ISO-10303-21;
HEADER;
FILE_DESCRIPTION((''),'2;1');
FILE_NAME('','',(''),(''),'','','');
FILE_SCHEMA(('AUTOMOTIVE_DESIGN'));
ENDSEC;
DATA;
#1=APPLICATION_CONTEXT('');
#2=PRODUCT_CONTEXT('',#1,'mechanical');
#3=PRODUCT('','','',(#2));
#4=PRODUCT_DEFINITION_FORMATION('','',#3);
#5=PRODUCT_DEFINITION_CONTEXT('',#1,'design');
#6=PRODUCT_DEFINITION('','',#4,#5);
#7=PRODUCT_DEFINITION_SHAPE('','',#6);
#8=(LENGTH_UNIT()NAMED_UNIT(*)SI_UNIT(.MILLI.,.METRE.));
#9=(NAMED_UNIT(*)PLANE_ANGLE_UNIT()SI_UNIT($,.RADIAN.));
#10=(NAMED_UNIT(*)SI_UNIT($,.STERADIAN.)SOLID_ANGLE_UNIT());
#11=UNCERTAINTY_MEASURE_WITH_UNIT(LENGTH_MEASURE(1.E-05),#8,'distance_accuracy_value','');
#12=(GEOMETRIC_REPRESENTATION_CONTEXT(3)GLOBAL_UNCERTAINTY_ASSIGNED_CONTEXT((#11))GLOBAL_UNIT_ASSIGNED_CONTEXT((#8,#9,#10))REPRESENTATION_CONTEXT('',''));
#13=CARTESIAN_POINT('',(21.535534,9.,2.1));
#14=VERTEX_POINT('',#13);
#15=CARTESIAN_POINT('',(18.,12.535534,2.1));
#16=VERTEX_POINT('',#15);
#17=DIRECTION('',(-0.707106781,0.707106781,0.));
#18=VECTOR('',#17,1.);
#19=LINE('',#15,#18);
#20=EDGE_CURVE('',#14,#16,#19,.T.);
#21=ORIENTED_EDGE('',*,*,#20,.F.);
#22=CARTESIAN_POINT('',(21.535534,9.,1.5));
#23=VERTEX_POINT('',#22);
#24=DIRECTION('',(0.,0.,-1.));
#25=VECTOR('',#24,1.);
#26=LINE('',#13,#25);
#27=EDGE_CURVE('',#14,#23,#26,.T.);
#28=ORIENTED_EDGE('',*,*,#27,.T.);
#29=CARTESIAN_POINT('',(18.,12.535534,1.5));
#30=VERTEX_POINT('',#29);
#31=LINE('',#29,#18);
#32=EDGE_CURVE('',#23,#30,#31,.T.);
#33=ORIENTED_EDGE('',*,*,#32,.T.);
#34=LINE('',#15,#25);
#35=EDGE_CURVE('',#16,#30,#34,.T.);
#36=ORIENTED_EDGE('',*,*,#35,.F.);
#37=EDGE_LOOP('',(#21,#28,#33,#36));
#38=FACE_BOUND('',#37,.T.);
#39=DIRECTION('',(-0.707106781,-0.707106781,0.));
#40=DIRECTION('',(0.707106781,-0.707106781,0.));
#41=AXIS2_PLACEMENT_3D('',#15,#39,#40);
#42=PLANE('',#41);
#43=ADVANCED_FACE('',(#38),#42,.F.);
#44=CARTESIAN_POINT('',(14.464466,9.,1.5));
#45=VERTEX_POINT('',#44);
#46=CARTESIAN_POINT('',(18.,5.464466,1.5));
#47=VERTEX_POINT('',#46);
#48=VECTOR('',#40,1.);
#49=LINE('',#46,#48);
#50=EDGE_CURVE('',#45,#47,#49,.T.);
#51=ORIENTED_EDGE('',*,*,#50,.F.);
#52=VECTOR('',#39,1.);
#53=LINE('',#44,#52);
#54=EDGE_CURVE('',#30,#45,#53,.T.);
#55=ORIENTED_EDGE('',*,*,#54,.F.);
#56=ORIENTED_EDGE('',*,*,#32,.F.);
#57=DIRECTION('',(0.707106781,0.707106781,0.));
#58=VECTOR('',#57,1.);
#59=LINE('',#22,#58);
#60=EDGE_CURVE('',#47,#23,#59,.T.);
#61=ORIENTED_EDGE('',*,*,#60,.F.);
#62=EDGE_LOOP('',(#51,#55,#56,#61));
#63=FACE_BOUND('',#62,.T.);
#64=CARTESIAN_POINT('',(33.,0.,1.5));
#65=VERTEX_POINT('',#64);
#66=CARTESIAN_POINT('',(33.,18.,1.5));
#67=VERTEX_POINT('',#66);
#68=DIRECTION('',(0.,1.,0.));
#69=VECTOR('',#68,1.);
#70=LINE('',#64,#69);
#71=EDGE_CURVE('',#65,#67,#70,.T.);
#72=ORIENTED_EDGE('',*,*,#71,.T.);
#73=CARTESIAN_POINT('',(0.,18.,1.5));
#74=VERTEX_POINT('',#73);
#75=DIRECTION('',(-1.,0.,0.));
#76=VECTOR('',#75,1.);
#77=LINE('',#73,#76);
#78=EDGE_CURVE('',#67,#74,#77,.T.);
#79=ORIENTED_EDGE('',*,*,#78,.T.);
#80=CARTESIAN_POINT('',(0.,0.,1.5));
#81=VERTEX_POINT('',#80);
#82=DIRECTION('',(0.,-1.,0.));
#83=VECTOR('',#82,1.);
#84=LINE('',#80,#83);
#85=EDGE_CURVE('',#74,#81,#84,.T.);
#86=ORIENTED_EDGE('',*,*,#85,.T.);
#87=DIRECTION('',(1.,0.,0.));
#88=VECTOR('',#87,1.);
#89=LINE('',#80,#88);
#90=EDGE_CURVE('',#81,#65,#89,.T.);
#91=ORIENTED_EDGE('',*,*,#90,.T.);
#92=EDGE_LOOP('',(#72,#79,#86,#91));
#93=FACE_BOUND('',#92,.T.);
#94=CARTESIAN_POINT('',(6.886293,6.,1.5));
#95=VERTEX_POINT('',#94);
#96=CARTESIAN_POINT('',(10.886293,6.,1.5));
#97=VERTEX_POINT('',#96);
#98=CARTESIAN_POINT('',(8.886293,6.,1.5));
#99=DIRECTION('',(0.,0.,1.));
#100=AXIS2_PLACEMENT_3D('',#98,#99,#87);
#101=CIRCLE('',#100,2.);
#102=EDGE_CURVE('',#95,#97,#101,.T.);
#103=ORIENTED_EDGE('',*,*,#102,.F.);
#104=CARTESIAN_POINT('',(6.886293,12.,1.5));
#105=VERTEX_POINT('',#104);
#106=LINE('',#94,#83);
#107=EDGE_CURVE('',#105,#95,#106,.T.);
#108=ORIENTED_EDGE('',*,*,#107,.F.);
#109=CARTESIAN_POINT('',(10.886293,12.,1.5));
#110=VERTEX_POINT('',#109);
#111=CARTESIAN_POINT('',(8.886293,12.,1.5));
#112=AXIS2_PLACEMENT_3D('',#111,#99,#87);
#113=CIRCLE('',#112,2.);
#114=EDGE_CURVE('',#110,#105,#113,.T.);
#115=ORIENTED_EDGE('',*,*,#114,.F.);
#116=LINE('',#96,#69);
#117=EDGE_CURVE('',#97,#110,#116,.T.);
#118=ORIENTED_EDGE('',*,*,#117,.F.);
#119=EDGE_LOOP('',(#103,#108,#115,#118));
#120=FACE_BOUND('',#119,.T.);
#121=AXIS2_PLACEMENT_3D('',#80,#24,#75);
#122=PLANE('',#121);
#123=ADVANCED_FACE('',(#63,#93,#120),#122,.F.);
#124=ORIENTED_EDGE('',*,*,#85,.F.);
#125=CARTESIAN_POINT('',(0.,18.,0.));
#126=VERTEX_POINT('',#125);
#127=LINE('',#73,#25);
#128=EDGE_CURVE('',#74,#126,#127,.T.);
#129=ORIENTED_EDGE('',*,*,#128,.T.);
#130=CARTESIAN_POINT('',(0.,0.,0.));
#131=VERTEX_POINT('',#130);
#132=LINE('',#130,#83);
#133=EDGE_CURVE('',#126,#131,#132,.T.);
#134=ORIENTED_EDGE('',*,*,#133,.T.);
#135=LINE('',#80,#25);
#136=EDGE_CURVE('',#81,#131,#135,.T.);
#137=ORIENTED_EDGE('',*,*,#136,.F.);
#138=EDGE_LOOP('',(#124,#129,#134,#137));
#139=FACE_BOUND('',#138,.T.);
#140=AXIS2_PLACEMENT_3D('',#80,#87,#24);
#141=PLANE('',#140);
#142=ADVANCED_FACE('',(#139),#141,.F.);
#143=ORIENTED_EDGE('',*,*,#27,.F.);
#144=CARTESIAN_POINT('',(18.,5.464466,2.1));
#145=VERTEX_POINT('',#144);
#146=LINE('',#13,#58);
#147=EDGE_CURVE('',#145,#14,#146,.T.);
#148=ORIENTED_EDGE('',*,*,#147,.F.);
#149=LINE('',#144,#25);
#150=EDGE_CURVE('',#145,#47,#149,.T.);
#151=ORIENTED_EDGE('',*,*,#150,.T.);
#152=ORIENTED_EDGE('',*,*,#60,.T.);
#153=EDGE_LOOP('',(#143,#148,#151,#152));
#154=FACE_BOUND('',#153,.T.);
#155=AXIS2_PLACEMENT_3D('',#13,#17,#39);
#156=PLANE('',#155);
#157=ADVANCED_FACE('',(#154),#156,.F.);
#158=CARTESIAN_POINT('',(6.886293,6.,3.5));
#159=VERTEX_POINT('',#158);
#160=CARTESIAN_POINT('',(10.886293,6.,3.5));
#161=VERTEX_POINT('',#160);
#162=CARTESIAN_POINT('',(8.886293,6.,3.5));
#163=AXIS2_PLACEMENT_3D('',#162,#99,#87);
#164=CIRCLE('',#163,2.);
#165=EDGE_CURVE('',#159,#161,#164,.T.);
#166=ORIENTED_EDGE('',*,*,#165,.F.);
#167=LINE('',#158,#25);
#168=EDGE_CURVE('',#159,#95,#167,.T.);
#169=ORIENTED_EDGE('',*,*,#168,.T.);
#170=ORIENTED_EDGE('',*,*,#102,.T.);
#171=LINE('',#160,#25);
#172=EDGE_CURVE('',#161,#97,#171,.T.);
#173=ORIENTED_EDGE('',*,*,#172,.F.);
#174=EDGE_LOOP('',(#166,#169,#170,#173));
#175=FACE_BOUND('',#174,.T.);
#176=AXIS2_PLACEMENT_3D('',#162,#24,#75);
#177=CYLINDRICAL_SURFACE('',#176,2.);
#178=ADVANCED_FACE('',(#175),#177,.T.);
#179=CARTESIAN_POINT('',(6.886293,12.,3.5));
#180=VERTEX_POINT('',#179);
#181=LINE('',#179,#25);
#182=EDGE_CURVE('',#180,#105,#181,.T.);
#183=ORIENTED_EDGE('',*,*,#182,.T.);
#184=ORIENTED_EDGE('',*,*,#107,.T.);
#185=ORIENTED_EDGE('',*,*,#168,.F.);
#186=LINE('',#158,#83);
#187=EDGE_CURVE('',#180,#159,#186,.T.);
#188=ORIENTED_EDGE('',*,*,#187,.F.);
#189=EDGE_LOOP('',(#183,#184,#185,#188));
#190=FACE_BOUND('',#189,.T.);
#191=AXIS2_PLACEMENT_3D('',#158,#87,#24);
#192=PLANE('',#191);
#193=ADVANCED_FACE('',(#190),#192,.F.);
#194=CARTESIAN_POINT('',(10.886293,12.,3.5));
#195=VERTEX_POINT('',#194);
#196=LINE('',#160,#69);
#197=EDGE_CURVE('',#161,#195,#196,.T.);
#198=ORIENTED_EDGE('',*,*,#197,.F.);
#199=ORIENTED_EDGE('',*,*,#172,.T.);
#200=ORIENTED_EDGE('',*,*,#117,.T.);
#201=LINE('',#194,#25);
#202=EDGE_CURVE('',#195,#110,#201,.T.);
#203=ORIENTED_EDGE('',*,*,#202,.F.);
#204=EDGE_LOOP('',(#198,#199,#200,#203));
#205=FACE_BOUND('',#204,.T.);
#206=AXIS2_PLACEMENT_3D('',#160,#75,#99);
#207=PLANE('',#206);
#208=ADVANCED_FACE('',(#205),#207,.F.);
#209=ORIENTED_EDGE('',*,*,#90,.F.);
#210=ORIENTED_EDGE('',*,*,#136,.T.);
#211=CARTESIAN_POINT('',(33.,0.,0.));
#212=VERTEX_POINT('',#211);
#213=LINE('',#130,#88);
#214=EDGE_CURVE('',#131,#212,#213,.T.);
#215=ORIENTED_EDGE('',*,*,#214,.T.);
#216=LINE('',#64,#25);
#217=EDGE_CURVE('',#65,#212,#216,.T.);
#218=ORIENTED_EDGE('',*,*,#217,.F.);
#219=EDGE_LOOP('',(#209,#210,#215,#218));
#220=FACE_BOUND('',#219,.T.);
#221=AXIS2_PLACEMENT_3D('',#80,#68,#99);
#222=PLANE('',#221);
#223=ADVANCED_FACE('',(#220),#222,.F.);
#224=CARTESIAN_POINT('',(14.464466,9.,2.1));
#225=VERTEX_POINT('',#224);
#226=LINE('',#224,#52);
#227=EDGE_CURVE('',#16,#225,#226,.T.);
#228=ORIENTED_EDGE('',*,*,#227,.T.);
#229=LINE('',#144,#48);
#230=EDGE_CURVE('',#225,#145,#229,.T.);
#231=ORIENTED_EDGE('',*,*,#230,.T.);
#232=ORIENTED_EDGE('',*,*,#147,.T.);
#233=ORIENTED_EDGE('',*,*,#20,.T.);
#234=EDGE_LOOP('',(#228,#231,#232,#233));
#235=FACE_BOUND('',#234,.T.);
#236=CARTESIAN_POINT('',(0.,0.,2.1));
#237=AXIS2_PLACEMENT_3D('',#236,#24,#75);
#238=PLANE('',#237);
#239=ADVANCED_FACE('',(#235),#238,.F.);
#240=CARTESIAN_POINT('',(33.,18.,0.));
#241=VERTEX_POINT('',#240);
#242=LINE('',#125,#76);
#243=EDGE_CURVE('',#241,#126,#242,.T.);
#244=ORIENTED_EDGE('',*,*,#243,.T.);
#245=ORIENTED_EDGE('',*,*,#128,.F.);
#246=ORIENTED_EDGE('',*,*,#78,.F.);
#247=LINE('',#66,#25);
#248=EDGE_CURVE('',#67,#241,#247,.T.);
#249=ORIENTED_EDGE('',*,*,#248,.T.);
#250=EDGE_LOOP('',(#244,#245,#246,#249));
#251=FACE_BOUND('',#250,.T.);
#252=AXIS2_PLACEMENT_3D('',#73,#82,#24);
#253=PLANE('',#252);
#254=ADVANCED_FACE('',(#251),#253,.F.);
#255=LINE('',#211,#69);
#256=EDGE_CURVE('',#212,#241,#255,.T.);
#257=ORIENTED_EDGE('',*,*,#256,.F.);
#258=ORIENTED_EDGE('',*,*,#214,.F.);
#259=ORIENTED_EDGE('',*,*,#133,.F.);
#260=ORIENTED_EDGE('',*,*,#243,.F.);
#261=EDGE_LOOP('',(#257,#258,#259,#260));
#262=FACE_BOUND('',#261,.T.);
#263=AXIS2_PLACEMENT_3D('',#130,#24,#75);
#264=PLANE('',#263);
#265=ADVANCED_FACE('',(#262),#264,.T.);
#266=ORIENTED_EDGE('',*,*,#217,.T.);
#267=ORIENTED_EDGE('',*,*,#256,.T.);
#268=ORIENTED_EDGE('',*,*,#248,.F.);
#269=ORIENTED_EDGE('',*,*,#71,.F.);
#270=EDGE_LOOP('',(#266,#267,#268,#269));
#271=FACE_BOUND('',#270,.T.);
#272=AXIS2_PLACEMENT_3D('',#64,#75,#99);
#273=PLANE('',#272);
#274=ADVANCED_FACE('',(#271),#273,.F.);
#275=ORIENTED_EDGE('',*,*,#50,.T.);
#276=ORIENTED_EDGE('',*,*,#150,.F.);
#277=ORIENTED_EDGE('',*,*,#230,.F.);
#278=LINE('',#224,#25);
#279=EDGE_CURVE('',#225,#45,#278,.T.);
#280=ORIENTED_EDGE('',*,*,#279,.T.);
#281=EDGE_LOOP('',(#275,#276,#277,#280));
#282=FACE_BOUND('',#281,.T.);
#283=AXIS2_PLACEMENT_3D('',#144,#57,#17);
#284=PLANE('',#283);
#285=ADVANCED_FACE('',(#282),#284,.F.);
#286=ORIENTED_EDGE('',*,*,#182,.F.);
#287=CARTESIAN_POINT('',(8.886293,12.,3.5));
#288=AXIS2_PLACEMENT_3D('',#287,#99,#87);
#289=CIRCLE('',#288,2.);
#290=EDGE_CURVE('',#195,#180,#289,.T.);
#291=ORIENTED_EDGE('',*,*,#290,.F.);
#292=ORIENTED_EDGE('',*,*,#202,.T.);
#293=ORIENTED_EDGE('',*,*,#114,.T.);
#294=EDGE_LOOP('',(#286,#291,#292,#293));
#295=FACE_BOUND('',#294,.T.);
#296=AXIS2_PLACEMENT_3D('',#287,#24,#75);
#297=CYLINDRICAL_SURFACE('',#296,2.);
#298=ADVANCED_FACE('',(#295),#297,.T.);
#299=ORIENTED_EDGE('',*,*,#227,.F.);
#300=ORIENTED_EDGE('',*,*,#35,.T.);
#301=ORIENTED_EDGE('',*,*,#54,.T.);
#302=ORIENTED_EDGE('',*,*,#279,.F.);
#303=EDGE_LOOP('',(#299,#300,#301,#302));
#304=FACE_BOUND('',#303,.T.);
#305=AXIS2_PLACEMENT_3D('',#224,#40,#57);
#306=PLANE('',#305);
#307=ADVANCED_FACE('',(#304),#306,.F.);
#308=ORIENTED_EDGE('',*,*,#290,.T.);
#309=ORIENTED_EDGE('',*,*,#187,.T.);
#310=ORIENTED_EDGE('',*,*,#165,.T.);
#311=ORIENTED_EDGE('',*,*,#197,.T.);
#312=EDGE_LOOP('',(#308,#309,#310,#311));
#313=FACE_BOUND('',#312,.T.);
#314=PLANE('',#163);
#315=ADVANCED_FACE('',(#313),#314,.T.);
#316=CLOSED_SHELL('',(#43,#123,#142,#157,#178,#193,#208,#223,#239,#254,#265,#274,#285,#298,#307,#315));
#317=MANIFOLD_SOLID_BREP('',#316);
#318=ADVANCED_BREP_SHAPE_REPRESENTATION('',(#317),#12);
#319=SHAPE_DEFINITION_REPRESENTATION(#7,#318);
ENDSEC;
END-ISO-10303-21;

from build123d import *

# Parameters (mm, degrees)
SKETCH_1_W      = 33
SKETCH_1_H      = 18
EXTRUDE_1_DEPTH = 1.5
EXTRUDE_2_DEPTH = 0.6
EXTRUDE_3_DEPTH = 2


with BuildPart() as part:
    # Эскиз1 → Бобышка-Вытянуть1 (new body)
    with BuildSketch(Plane.XY):
        with Locations((16.5, 9)):
            Rectangle(SKETCH_1_W, SKETCH_1_H)
    extrude(amount=EXTRUDE_1_DEPTH)

    # Эскиз2 → Бобышка-Вытянуть2 (add)
    with BuildSketch(Plane.XY.offset(1.5)):
        Polygon((18, 12.535533906), (21.535533906, 9), (18, 5.464466094), (14.464466094, 9), align=None)
    extrude(amount=EXTRUDE_2_DEPTH)

    # Эскиз3 → Бобышка-Вытянуть3 (add)
    with BuildSketch(Plane.XY.offset(1.5)):
        with BuildLine():
            Line((6.886292912, 6), (6.886292912, 12))
            ThreePointArc((6.886292912, 12), (8.886292912, 14), (10.886292912, 12))
            Line((10.886292912, 12), (10.886292912, 6))
            ThreePointArc((10.886292912, 6), (8.886292912, 4), (6.886292912, 6))
        make_face()
    extrude(amount=EXTRUDE_3_DEPTH)


solid = part.part
